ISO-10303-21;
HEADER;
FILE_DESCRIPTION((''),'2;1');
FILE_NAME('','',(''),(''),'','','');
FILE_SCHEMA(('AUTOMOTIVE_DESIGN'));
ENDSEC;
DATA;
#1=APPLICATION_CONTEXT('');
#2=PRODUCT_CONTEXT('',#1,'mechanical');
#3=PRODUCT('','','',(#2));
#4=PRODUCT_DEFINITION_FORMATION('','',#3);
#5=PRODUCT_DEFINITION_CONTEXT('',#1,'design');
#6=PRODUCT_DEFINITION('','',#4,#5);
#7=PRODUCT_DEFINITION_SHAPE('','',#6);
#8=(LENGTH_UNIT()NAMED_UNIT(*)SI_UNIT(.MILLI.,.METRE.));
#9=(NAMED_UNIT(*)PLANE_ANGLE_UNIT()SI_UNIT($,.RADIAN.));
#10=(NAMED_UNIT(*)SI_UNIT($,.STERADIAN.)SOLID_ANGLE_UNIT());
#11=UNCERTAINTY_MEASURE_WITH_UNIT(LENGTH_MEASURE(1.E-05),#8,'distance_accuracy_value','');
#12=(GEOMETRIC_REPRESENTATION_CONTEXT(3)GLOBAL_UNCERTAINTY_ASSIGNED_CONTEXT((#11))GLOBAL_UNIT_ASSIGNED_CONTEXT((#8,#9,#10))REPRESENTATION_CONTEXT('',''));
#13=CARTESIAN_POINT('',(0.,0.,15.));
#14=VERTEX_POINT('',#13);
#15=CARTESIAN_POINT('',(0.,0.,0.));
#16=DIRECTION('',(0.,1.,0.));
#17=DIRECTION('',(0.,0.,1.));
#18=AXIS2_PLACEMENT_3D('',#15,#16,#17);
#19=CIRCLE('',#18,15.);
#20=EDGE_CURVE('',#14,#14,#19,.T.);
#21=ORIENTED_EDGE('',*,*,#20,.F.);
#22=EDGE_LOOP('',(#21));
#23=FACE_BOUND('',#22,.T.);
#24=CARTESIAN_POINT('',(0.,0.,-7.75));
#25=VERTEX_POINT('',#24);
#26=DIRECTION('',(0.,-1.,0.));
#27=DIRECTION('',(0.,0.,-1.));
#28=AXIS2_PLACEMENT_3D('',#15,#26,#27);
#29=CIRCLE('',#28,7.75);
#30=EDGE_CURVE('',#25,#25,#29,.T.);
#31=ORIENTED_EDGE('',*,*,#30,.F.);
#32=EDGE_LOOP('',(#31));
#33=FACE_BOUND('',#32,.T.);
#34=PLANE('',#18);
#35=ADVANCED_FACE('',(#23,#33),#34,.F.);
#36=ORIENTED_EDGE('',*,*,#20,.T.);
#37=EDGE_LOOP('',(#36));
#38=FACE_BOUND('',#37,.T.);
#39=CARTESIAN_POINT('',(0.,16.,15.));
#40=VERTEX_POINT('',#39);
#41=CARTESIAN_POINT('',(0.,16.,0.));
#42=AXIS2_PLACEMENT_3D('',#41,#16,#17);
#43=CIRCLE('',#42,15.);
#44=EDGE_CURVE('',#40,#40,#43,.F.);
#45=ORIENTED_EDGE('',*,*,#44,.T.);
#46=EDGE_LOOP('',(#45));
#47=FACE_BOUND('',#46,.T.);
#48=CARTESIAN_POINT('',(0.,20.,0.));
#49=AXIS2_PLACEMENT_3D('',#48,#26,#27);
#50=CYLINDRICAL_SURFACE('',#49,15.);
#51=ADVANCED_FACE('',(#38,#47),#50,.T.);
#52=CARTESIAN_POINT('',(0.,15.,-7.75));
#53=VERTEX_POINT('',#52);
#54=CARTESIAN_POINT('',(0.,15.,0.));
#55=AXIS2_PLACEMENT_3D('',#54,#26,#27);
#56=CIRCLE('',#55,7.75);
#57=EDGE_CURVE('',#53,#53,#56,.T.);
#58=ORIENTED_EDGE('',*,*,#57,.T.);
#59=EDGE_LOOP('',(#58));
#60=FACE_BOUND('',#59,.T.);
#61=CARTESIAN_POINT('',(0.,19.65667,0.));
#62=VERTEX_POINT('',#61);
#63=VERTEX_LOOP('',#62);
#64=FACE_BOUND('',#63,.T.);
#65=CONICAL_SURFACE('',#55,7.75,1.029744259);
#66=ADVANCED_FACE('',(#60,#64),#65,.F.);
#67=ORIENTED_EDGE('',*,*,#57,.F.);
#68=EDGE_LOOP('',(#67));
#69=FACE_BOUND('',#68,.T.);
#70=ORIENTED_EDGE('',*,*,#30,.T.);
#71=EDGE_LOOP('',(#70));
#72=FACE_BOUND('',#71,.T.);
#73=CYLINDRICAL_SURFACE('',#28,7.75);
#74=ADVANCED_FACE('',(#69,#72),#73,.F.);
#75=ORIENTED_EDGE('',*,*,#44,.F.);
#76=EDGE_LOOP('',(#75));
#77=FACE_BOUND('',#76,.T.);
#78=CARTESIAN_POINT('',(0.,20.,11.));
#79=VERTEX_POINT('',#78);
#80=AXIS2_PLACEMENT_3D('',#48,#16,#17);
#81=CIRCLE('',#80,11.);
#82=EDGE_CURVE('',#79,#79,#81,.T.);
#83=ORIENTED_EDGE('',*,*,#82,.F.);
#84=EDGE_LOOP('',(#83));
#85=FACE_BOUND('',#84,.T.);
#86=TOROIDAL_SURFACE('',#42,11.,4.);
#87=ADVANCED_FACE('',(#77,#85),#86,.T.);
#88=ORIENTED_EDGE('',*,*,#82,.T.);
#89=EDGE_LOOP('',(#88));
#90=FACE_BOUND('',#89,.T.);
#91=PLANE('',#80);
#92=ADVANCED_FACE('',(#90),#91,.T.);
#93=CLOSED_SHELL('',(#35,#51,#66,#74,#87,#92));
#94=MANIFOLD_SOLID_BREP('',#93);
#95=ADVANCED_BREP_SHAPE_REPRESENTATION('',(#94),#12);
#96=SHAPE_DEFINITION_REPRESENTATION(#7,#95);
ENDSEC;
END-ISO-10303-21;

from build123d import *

# Parameters (mm, degrees)
SKETCH2_R                        = 15
BOSS_EXTRUDE1_DEPTH              = 20
TAP_DRILL_FOR_M18X2_5_TAP1_D     = 15.5
TAP_DRILL_FOR_M18X2_5_TAP1_DEPTH = 15
TAP_DRILL_FOR_M18X2_5_TAP1_TIP   = 4.656669797
FILLET1_R                        = 4


with BuildPart() as part:
    # Sketch2 → Boss-Extrude1 (new body)
    with BuildSketch(Plane(origin=(0, 0, 0), x_dir=(1, 0, 0), z_dir=(0, 1, 0))):
        Circle(SKETCH2_R)
    extrude(amount=BOSS_EXTRUDE1_DEPTH)

    # Tap Drill for M18x2.5 Tap1
    with Locations(Plane(origin=(0, 0, 0), x_dir=(-1, 0, 0), z_dir=(0, -1, 0))):
        with Locations((0, 0)):
            Hole(TAP_DRILL_FOR_M18X2_5_TAP1_D / 2, depth=TAP_DRILL_FOR_M18X2_5_TAP1_DEPTH)
            with Locations((0, 0, -(TAP_DRILL_FOR_M18X2_5_TAP1_DEPTH + TAP_DRILL_FOR_M18X2_5_TAP1_TIP / 2))):  # 118° drill point
                Cone(0, TAP_DRILL_FOR_M18X2_5_TAP1_D / 2, TAP_DRILL_FOR_M18X2_5_TAP1_TIP, mode=Mode.SUBTRACT)

    # Fillet1
    fillet1_edges = [part.edges().sort_by_distance(p)[0] for p in [
        (-15, 20, 0),
    ]]
    fillet(fillet1_edges, radius=FILLET1_R)


solid = part.part
